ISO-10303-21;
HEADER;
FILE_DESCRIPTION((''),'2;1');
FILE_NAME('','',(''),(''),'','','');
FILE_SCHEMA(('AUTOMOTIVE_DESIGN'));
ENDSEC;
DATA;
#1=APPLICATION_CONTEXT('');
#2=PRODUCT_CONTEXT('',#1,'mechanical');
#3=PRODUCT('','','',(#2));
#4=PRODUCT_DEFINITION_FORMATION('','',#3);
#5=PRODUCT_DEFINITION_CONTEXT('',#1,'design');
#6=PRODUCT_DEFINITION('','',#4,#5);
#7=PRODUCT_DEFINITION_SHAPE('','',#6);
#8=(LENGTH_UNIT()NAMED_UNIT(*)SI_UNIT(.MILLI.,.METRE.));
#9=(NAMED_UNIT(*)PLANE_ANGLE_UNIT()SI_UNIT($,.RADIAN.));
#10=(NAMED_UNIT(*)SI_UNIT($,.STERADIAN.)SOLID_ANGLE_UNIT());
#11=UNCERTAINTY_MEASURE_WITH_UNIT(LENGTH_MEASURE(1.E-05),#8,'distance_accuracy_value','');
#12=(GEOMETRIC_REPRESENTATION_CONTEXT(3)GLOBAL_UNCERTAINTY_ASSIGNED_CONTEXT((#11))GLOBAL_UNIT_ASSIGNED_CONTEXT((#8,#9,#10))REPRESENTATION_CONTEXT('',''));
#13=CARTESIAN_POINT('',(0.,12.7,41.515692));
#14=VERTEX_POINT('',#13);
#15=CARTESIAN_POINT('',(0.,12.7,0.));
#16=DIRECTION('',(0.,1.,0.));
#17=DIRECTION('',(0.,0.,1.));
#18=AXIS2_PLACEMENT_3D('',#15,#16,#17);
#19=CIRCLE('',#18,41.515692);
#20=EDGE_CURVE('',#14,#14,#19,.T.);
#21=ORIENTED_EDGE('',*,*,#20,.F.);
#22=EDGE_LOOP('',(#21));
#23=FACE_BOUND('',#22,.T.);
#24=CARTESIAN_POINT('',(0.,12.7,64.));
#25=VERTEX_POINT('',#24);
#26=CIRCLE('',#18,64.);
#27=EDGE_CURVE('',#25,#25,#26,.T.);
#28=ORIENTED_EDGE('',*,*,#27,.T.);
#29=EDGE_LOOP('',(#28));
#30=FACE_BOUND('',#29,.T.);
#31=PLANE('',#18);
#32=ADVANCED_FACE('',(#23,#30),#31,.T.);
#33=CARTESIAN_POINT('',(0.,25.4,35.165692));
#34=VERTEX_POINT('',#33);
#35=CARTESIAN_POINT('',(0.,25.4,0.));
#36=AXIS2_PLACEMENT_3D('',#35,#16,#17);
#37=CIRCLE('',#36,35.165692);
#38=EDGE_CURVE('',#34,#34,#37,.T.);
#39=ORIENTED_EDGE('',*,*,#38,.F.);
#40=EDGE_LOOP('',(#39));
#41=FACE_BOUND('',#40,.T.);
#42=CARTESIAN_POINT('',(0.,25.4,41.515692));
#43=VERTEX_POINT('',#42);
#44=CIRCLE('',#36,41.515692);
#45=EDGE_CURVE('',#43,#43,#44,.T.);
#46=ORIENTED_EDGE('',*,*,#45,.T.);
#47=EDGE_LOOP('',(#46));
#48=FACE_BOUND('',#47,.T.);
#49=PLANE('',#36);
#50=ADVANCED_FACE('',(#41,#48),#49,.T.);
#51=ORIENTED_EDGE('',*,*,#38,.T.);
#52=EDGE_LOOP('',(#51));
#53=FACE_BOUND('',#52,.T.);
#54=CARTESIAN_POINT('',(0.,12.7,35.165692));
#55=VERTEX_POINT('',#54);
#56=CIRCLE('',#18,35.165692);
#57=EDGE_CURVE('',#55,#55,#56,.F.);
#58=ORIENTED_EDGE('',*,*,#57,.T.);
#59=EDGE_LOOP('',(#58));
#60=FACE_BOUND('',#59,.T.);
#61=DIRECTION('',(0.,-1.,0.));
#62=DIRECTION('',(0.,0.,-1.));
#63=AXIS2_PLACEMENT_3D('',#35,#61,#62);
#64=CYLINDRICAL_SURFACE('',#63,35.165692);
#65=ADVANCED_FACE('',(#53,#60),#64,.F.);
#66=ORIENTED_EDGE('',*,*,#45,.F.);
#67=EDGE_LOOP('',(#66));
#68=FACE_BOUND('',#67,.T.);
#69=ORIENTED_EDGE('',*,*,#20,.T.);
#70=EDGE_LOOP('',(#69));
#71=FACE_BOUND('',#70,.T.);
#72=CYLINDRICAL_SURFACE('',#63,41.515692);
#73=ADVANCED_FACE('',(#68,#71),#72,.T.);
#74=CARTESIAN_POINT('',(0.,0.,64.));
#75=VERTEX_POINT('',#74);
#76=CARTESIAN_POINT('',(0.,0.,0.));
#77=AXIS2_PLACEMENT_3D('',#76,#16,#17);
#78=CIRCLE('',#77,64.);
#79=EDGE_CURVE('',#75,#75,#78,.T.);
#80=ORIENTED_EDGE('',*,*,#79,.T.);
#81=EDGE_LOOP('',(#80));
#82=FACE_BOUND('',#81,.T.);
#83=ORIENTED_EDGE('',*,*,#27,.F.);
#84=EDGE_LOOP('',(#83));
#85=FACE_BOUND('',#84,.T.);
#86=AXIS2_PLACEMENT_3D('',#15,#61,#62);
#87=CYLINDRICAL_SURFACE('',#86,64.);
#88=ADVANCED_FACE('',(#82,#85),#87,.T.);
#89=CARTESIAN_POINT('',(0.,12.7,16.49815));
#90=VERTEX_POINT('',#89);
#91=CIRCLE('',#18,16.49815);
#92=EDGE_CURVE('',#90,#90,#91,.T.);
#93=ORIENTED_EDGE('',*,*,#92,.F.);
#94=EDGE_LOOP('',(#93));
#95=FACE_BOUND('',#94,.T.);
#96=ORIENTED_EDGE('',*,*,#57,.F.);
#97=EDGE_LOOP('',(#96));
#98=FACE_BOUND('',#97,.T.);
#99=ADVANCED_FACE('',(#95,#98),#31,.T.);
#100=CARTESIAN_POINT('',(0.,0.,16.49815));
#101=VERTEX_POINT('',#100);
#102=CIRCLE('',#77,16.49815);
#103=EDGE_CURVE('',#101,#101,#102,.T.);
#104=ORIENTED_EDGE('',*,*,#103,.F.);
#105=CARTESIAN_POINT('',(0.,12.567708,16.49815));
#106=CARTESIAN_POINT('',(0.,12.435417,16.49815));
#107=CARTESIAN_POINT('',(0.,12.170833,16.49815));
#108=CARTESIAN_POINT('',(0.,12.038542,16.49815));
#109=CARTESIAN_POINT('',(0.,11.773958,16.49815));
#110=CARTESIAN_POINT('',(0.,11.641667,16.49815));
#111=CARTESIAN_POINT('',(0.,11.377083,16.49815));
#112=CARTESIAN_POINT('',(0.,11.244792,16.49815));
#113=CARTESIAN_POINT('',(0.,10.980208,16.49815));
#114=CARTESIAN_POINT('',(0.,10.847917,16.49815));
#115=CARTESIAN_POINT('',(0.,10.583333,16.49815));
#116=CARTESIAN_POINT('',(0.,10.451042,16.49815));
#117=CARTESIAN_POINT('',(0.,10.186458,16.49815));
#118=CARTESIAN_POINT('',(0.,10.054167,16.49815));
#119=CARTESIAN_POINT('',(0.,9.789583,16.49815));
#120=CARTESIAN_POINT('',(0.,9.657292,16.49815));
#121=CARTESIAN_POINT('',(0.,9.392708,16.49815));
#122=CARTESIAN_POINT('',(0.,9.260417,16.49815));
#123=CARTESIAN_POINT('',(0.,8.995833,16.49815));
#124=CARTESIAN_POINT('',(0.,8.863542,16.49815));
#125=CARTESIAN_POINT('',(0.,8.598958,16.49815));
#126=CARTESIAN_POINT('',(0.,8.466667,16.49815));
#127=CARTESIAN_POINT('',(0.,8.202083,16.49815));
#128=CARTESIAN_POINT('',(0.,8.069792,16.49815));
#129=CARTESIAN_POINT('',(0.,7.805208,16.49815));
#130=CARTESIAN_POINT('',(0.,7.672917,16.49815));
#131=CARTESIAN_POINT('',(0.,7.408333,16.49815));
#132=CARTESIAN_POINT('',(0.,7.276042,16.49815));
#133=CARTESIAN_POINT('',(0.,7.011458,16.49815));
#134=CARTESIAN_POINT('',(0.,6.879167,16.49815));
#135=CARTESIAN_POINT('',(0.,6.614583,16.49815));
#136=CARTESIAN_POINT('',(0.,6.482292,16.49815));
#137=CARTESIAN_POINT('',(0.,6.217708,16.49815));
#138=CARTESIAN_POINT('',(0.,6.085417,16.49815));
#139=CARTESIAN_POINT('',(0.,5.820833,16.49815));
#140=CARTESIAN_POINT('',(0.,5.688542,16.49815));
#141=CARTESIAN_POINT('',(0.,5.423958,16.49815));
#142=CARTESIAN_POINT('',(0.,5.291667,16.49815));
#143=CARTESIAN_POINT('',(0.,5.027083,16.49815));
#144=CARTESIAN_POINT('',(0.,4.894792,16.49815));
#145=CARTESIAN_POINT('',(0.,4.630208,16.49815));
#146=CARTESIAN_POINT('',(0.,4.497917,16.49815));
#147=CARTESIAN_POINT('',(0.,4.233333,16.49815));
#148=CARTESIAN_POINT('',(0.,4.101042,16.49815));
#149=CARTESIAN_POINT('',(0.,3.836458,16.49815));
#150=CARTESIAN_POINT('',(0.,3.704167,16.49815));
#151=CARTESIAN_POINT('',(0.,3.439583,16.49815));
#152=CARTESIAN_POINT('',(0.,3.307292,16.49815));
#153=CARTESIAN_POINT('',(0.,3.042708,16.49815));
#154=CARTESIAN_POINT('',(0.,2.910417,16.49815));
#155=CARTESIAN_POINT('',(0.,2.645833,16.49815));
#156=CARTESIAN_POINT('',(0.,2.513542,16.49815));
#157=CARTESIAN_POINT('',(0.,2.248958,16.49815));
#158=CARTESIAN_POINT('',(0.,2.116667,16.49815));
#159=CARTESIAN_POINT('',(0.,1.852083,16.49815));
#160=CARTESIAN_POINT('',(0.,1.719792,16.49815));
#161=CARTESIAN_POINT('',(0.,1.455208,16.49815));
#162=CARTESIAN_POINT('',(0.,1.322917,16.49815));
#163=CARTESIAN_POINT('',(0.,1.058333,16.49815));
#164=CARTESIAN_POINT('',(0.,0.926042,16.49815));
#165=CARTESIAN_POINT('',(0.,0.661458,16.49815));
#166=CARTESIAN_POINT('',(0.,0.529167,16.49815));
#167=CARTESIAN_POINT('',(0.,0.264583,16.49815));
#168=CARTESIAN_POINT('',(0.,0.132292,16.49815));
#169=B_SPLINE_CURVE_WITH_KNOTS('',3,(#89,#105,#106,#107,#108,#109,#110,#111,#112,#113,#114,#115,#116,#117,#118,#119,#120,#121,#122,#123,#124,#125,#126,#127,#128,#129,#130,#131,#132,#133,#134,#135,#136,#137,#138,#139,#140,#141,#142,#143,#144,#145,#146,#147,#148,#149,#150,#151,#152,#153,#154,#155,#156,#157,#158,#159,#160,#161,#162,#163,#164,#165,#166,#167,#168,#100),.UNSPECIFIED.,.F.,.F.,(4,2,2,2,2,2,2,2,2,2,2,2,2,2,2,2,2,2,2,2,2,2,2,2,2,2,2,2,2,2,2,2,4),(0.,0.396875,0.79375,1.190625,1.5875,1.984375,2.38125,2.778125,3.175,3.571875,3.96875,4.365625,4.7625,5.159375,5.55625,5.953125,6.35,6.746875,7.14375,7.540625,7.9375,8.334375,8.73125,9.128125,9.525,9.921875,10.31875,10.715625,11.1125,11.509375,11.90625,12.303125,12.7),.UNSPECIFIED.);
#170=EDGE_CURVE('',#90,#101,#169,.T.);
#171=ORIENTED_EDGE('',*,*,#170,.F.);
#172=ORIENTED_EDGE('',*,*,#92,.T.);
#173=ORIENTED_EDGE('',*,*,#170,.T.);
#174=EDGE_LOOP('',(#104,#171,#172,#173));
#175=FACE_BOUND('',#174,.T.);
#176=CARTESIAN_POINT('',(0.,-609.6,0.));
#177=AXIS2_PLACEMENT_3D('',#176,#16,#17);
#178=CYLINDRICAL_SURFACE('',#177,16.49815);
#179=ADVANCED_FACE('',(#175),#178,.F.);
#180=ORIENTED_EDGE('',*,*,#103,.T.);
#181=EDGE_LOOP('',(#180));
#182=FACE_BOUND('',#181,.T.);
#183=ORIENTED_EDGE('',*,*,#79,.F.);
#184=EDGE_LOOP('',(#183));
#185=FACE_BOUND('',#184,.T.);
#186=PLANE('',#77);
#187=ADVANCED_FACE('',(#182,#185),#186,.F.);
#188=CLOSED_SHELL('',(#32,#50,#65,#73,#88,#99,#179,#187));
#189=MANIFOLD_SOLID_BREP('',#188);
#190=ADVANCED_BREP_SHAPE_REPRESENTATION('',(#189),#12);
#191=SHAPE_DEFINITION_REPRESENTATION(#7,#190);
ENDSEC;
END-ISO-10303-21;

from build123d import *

# Parameters (mm, degrees)
SKETCH2_R           = 64
BOSS_EXTRUDE1_DEPTH = 12.7
SKETCH3_R           = 41.515692032
SKETCH3_R_2         = 35.165692032
BOSS_EXTRUDE2_DEPTH = 12.7
SKETCH4_R           = 16.498149644
CUT_EXTRUDE1_DEPTH  = 635


with BuildPart() as part:
    # Sketch2 → Boss-Extrude1 (new body)
    with BuildSketch(Plane(origin=(0, 0, 0), x_dir=(1, 0, 0), z_dir=(0, 1, 0))):
        with Locations(Location((0, 0, 0), (0, 0, 270))):
            Circle(SKETCH2_R)
    extrude(amount=BOSS_EXTRUDE1_DEPTH)

    # Sketch3 → Boss-Extrude2 (add)
    with BuildSketch(Plane(origin=(0, 12.7, 0), x_dir=(1, 0, 0), z_dir=(0, 1, 0))):
        with Locations(Location((0, 0, 0), (0, 0, 270))):
            Circle(SKETCH3_R)
        with Locations(Location((0, 0, 0), (0, 0, 270))):
            Circle(SKETCH3_R_2, mode=Mode.SUBTRACT)
    extrude(amount=BOSS_EXTRUDE2_DEPTH)

    # Sketch4 → Cut-Extrude1 (cut)
    with BuildSketch(Plane(origin=(0, 25.4, 0), x_dir=(1, 0, 0), z_dir=(0, 1, 0))):
        with Locations(Location((0, 0, 0), (0, 0, 270))):
            Circle(SKETCH4_R)
    extrude(amount=-CUT_EXTRUDE1_DEPTH, mode=Mode.SUBTRACT)


solid = part.part
